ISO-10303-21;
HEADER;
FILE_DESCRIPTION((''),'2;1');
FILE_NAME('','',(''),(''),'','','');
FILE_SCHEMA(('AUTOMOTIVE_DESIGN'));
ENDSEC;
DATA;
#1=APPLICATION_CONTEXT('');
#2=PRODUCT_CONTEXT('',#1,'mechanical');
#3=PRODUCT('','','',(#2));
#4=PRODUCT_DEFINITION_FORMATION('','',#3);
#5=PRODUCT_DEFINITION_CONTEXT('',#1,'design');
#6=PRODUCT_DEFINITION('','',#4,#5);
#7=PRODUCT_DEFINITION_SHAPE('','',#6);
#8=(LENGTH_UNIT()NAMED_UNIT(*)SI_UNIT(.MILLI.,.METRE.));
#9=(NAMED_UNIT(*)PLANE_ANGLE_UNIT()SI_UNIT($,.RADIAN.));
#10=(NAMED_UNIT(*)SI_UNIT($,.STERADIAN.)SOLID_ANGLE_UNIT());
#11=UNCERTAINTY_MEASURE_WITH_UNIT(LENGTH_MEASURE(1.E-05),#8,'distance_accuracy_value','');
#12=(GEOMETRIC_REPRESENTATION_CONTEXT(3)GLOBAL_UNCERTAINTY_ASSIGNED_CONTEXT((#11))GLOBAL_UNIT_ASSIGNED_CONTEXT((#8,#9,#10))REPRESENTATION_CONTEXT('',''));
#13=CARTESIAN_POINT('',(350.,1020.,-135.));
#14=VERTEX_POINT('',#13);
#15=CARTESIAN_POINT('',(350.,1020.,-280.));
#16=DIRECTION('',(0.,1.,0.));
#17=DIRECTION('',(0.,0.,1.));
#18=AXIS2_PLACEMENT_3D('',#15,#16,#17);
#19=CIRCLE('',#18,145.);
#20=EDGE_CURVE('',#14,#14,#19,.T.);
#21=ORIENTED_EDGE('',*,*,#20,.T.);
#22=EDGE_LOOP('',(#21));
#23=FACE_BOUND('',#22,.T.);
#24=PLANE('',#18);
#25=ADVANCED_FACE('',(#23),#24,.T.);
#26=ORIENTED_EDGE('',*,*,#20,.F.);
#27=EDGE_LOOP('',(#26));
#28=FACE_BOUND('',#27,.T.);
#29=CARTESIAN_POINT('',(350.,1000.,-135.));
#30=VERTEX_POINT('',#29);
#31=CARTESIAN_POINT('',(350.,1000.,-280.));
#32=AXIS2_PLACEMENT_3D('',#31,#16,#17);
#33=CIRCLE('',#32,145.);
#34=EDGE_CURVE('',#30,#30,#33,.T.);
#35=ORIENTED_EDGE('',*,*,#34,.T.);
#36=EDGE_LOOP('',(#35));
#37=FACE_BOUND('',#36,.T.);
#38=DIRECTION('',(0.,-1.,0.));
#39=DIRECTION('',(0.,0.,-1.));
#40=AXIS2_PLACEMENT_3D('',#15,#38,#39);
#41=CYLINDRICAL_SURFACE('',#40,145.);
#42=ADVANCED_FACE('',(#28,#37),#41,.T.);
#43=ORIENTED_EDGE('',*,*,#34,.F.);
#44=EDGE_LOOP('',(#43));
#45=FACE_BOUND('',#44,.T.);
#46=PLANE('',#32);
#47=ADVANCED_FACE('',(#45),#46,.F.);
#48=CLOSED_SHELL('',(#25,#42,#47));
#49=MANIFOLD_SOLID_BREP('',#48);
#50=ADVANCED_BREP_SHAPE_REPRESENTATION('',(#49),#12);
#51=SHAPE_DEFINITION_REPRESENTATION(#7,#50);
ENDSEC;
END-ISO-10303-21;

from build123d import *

# Parameters (mm, degrees)
PRESS_PZP400_UST_PLAKA_D290_START = 1000
SKETCH1_R                         = 145
PRESS_PZP400_UST_PLAKA_D290_DEPTH = 20


with BuildPart() as part:
    # Sketch1 → PRESS_PZP400_ust_plaka_D290 (new body)
    with BuildSketch(Plane(origin=(0, 0, 0), x_dir=(1, 0, 0), z_dir=(0, 1, 0)).offset(PRESS_PZP400_UST_PLAKA_D290_START)):
        with Locations(Location((350, 280, 0), (0, 0, 270))):
            Circle(SKETCH1_R)
    extrude(amount=PRESS_PZP400_UST_PLAKA_D290_DEPTH)


solid = part.part
